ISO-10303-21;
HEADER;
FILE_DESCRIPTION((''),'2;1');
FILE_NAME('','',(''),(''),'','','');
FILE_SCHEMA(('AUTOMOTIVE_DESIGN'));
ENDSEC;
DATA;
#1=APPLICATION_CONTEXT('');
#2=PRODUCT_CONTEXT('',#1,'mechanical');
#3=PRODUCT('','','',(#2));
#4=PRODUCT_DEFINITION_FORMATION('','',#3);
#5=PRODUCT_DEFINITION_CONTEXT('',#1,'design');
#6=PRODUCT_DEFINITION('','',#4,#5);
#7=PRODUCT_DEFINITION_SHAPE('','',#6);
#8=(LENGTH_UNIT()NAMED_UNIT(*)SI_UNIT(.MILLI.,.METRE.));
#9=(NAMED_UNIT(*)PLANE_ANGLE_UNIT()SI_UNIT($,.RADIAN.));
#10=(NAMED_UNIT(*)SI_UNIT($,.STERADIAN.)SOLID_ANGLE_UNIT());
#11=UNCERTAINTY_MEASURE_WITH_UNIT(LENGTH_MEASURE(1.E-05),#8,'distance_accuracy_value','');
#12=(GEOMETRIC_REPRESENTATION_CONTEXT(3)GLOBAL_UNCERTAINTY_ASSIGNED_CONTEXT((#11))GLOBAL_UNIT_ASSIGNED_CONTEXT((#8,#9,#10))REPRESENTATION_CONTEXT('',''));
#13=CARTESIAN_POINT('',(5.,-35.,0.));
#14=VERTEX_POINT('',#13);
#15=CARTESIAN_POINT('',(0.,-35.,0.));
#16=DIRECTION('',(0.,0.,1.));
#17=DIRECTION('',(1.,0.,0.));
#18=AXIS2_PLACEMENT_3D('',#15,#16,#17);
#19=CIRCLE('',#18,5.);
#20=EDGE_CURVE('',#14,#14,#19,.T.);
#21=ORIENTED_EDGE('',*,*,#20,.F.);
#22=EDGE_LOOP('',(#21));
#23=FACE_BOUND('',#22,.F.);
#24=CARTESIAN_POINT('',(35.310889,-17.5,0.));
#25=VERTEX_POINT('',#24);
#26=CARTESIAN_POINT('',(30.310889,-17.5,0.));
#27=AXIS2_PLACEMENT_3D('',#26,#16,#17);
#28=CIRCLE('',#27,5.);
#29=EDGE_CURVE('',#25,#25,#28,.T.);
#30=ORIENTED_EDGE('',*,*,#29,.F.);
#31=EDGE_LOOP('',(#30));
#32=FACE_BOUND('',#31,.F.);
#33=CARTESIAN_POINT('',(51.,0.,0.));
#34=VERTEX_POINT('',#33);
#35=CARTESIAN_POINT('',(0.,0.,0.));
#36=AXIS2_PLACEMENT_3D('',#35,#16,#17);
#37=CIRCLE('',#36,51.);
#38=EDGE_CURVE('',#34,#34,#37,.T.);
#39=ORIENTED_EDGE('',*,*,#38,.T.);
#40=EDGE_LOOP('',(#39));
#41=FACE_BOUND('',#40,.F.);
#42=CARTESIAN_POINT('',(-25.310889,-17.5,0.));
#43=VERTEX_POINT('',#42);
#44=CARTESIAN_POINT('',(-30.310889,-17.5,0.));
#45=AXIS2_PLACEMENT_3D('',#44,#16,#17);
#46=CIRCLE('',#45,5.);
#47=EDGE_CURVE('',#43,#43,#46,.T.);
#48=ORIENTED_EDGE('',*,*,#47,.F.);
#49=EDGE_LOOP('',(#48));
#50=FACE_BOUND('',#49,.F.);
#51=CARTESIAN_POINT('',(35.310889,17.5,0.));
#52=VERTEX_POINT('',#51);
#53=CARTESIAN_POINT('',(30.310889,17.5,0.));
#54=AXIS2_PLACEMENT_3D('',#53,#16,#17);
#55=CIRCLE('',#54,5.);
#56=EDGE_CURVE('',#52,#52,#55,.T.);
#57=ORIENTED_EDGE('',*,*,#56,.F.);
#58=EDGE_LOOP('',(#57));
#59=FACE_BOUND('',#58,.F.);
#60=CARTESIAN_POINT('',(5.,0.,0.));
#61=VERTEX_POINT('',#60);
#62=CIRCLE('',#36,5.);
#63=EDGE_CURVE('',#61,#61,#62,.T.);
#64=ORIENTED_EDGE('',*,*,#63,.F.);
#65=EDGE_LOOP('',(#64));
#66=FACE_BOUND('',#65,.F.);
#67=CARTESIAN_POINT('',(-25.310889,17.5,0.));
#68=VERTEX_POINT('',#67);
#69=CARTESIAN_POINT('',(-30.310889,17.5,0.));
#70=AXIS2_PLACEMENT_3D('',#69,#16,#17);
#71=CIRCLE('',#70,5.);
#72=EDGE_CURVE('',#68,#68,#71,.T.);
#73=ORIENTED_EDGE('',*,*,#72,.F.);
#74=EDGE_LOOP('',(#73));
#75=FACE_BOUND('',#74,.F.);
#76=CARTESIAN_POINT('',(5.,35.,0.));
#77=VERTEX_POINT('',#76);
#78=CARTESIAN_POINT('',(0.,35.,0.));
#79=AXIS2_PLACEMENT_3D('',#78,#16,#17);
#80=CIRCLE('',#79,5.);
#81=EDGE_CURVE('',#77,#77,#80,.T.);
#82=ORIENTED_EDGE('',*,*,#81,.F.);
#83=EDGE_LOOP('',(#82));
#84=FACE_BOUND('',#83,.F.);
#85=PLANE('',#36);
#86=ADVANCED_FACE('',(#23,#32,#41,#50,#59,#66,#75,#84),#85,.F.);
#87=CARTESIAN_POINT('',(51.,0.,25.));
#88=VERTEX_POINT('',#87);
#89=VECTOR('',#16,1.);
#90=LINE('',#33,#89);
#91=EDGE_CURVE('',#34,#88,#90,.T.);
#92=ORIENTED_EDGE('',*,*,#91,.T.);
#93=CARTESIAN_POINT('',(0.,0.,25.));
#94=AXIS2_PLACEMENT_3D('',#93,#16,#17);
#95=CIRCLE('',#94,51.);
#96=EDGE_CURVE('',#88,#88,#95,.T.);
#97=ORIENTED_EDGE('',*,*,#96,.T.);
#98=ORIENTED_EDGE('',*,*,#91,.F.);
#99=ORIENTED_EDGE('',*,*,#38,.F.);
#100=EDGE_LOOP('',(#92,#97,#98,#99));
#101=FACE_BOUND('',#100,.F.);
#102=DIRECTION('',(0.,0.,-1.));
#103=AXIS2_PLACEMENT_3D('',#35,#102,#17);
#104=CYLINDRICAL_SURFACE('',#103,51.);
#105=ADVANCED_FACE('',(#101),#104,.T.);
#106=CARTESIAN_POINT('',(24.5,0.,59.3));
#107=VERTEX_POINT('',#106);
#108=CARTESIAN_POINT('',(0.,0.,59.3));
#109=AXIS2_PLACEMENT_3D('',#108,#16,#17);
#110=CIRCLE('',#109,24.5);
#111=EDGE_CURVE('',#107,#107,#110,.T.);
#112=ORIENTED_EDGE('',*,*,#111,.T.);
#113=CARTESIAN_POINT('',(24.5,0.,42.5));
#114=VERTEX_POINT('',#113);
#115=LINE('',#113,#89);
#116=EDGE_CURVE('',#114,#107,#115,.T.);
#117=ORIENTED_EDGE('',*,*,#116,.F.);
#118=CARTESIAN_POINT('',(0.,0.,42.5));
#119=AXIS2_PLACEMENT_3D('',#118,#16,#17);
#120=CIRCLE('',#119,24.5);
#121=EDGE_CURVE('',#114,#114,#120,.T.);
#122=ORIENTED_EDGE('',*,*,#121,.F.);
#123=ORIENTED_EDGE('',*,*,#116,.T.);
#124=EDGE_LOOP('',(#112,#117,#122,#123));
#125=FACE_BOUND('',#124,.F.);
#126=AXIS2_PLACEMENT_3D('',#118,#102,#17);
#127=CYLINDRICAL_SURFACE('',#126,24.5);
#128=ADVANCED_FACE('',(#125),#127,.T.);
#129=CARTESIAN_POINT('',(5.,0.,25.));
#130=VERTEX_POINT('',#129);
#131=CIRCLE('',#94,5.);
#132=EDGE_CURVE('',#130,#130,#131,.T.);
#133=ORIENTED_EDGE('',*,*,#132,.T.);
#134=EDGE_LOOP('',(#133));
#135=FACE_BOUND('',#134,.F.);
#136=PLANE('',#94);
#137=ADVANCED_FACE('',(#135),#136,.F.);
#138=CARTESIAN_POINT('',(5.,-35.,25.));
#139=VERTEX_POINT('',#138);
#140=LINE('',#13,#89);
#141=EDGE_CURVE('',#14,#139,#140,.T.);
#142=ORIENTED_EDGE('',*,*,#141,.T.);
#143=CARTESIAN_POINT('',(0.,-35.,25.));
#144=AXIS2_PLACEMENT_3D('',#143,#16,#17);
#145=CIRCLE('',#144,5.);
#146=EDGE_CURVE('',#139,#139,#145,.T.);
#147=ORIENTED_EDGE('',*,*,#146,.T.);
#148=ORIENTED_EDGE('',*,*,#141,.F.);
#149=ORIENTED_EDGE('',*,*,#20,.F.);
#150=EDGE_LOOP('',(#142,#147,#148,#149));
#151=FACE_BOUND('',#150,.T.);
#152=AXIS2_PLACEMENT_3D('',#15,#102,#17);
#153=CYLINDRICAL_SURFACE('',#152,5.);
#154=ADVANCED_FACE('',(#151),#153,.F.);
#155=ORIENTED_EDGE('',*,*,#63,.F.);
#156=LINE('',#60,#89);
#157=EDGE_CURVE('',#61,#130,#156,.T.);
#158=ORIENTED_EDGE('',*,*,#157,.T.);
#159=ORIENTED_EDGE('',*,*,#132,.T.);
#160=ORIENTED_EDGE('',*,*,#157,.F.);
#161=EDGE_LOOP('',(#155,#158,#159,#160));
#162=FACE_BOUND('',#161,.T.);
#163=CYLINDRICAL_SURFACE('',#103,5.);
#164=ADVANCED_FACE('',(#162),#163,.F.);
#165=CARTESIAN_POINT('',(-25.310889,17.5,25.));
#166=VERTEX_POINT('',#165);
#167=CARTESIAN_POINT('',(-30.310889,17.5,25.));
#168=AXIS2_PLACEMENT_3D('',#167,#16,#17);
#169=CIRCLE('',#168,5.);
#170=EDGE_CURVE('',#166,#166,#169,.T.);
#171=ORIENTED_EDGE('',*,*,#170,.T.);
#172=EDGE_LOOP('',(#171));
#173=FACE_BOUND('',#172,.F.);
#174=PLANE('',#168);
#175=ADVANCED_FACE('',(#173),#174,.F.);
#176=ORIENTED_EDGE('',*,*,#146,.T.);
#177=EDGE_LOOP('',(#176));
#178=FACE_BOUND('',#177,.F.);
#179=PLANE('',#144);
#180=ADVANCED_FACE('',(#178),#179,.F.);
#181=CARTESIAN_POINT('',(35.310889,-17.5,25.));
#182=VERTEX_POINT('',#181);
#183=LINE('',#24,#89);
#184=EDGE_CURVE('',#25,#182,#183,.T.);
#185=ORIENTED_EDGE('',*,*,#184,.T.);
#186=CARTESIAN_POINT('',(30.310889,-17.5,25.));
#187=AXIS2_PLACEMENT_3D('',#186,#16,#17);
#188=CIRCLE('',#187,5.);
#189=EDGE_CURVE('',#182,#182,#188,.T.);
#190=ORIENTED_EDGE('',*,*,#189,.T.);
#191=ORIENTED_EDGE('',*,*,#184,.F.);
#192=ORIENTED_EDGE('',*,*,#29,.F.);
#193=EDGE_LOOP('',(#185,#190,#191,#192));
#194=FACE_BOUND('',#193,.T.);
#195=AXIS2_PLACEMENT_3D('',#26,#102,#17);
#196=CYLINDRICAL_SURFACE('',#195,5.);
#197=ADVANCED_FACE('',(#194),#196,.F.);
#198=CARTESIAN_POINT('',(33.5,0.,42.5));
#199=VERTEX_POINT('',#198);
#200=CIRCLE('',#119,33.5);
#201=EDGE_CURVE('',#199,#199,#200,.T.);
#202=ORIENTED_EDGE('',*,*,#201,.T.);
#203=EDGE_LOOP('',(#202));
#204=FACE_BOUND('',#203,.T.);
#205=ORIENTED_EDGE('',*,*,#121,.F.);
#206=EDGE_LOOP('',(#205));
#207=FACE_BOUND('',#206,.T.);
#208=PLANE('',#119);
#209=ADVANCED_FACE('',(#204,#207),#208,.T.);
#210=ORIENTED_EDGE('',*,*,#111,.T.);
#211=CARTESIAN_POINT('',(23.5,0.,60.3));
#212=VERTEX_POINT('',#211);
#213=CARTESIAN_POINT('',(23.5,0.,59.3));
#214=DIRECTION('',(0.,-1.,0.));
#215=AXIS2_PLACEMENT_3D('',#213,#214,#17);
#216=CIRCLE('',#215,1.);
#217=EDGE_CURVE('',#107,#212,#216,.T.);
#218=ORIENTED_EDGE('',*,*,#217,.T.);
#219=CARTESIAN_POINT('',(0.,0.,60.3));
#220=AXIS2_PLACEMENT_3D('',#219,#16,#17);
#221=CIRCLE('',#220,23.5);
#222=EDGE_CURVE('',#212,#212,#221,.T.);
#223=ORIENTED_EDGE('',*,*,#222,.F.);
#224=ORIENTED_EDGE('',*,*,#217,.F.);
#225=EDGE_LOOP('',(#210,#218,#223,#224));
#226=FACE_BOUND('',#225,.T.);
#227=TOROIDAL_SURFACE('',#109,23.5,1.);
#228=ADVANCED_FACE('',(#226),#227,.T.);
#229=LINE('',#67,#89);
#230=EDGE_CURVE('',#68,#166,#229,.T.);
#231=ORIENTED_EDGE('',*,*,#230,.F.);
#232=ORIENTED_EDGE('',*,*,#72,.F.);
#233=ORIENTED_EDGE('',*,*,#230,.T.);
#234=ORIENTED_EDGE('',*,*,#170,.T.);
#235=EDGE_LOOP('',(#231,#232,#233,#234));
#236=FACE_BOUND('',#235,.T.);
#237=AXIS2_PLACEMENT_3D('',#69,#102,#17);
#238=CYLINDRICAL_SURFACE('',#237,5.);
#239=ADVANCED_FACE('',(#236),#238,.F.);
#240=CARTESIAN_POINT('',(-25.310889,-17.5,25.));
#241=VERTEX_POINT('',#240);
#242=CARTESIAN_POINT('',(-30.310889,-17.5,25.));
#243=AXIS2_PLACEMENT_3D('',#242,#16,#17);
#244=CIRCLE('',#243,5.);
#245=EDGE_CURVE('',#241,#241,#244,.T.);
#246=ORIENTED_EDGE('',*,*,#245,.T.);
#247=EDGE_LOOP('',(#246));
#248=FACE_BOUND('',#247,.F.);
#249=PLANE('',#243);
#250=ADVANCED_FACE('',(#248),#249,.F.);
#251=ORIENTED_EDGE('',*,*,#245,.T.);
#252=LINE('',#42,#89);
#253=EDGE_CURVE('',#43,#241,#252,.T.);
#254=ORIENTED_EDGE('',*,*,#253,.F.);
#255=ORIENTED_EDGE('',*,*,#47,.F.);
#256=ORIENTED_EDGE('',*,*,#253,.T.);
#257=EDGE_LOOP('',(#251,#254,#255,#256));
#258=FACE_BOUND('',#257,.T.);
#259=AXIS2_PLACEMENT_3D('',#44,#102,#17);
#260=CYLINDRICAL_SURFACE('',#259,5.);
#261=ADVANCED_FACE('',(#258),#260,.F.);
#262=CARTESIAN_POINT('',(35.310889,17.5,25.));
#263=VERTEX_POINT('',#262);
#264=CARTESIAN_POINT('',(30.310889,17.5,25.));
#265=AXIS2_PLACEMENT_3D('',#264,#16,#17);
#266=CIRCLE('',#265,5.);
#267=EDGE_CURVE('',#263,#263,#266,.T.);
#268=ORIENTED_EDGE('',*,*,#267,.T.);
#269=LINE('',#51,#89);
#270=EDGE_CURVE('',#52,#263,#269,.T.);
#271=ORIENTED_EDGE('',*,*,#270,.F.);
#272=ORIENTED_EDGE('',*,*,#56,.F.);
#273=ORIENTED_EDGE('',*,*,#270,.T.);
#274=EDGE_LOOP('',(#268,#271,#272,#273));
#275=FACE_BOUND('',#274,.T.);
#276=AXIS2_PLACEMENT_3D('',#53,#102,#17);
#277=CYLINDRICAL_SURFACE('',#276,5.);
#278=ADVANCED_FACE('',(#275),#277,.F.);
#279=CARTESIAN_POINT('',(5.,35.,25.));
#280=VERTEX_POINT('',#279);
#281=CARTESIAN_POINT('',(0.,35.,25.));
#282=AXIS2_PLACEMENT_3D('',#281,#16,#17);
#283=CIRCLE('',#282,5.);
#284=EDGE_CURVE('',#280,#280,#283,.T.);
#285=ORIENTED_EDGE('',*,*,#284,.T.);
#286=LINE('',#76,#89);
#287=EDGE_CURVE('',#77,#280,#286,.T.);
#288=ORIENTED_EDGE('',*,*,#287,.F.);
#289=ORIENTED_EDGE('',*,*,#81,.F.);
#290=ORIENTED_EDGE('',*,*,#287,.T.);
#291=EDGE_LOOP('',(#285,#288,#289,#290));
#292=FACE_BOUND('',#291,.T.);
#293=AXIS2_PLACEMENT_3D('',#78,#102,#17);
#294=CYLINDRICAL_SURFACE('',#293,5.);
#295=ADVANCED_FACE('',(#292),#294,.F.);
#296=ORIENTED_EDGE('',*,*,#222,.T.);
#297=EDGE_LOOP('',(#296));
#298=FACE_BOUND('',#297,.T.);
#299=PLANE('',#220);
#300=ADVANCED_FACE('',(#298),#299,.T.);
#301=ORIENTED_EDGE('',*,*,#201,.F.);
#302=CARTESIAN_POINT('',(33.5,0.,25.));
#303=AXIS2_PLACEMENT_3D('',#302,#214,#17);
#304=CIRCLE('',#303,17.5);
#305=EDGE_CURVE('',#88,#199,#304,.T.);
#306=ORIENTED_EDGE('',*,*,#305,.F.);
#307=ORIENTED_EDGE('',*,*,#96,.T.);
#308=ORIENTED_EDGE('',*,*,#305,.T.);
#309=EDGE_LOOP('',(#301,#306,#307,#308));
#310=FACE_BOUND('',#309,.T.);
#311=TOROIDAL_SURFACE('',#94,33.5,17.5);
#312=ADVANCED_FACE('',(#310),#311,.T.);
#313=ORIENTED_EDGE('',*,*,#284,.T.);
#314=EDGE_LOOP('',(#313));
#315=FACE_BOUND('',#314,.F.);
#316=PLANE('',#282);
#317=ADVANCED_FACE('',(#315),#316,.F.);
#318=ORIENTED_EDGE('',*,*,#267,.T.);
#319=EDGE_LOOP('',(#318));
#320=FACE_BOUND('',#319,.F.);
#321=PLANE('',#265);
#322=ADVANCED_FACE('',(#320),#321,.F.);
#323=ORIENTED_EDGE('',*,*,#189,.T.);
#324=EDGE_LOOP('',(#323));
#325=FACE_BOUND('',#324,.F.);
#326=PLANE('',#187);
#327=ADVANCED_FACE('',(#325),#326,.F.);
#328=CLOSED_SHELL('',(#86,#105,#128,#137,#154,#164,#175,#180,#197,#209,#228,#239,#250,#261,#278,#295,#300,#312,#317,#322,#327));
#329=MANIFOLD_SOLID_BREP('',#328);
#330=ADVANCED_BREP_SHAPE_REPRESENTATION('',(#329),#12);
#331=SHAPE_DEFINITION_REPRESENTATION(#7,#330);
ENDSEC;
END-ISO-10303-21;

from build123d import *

# Parameters (mm, degrees)
F0_R     = 51
F1_DEPTH = 42.5
F2_R     = 5
F3_DEPTH = 25
F4_R     = 17.5
F5_R     = 24.5
F6_DEPTH = 17.8
F7_R     = 1


with BuildPart() as f1:
    # F0 (on Top) → F1 (new body)
    with BuildSketch(Plane.XY):
        Circle(F0_R)
    extrude(amount=F1_DEPTH)

    # F2 (on Top) → F3 (cut)
    with BuildSketch(Plane.XY):
        with Locations((0, -35)):
            Circle(F2_R)
        with Locations((30.310889, -17.5)):
            Circle(F2_R)
        with Locations((30.310889, 17.5)):
            Circle(F2_R)
        with Locations((0, 35)):
            Circle(F2_R)
        with Locations((-30.310889, 17.5)):
            Circle(F2_R)
        with Locations((-30.310889, -17.5)):
            Circle(F2_R)
        Circle(F2_R)
    extrude(amount=F3_DEPTH, mode=Mode.SUBTRACT)

    # F4
    f4_edges = [f1.edges().sort_by_distance(p)[0] for p in [
        (-51, 0, 42.5),
    ]]
    fillet(f4_edges, radius=F4_R)

    # F5 (on face) → F6 (join)
    with BuildSketch(Plane.XY.offset(42.5)):
        Circle(F5_R)
    extrude(amount=F6_DEPTH)

    # F7
    f7_edges = [f1.edges().sort_by_distance(p)[0] for p in [
        (-24.5, 0, 60.3),
    ]]
    fillet(f7_edges, radius=F7_R)


solid = f1.part
